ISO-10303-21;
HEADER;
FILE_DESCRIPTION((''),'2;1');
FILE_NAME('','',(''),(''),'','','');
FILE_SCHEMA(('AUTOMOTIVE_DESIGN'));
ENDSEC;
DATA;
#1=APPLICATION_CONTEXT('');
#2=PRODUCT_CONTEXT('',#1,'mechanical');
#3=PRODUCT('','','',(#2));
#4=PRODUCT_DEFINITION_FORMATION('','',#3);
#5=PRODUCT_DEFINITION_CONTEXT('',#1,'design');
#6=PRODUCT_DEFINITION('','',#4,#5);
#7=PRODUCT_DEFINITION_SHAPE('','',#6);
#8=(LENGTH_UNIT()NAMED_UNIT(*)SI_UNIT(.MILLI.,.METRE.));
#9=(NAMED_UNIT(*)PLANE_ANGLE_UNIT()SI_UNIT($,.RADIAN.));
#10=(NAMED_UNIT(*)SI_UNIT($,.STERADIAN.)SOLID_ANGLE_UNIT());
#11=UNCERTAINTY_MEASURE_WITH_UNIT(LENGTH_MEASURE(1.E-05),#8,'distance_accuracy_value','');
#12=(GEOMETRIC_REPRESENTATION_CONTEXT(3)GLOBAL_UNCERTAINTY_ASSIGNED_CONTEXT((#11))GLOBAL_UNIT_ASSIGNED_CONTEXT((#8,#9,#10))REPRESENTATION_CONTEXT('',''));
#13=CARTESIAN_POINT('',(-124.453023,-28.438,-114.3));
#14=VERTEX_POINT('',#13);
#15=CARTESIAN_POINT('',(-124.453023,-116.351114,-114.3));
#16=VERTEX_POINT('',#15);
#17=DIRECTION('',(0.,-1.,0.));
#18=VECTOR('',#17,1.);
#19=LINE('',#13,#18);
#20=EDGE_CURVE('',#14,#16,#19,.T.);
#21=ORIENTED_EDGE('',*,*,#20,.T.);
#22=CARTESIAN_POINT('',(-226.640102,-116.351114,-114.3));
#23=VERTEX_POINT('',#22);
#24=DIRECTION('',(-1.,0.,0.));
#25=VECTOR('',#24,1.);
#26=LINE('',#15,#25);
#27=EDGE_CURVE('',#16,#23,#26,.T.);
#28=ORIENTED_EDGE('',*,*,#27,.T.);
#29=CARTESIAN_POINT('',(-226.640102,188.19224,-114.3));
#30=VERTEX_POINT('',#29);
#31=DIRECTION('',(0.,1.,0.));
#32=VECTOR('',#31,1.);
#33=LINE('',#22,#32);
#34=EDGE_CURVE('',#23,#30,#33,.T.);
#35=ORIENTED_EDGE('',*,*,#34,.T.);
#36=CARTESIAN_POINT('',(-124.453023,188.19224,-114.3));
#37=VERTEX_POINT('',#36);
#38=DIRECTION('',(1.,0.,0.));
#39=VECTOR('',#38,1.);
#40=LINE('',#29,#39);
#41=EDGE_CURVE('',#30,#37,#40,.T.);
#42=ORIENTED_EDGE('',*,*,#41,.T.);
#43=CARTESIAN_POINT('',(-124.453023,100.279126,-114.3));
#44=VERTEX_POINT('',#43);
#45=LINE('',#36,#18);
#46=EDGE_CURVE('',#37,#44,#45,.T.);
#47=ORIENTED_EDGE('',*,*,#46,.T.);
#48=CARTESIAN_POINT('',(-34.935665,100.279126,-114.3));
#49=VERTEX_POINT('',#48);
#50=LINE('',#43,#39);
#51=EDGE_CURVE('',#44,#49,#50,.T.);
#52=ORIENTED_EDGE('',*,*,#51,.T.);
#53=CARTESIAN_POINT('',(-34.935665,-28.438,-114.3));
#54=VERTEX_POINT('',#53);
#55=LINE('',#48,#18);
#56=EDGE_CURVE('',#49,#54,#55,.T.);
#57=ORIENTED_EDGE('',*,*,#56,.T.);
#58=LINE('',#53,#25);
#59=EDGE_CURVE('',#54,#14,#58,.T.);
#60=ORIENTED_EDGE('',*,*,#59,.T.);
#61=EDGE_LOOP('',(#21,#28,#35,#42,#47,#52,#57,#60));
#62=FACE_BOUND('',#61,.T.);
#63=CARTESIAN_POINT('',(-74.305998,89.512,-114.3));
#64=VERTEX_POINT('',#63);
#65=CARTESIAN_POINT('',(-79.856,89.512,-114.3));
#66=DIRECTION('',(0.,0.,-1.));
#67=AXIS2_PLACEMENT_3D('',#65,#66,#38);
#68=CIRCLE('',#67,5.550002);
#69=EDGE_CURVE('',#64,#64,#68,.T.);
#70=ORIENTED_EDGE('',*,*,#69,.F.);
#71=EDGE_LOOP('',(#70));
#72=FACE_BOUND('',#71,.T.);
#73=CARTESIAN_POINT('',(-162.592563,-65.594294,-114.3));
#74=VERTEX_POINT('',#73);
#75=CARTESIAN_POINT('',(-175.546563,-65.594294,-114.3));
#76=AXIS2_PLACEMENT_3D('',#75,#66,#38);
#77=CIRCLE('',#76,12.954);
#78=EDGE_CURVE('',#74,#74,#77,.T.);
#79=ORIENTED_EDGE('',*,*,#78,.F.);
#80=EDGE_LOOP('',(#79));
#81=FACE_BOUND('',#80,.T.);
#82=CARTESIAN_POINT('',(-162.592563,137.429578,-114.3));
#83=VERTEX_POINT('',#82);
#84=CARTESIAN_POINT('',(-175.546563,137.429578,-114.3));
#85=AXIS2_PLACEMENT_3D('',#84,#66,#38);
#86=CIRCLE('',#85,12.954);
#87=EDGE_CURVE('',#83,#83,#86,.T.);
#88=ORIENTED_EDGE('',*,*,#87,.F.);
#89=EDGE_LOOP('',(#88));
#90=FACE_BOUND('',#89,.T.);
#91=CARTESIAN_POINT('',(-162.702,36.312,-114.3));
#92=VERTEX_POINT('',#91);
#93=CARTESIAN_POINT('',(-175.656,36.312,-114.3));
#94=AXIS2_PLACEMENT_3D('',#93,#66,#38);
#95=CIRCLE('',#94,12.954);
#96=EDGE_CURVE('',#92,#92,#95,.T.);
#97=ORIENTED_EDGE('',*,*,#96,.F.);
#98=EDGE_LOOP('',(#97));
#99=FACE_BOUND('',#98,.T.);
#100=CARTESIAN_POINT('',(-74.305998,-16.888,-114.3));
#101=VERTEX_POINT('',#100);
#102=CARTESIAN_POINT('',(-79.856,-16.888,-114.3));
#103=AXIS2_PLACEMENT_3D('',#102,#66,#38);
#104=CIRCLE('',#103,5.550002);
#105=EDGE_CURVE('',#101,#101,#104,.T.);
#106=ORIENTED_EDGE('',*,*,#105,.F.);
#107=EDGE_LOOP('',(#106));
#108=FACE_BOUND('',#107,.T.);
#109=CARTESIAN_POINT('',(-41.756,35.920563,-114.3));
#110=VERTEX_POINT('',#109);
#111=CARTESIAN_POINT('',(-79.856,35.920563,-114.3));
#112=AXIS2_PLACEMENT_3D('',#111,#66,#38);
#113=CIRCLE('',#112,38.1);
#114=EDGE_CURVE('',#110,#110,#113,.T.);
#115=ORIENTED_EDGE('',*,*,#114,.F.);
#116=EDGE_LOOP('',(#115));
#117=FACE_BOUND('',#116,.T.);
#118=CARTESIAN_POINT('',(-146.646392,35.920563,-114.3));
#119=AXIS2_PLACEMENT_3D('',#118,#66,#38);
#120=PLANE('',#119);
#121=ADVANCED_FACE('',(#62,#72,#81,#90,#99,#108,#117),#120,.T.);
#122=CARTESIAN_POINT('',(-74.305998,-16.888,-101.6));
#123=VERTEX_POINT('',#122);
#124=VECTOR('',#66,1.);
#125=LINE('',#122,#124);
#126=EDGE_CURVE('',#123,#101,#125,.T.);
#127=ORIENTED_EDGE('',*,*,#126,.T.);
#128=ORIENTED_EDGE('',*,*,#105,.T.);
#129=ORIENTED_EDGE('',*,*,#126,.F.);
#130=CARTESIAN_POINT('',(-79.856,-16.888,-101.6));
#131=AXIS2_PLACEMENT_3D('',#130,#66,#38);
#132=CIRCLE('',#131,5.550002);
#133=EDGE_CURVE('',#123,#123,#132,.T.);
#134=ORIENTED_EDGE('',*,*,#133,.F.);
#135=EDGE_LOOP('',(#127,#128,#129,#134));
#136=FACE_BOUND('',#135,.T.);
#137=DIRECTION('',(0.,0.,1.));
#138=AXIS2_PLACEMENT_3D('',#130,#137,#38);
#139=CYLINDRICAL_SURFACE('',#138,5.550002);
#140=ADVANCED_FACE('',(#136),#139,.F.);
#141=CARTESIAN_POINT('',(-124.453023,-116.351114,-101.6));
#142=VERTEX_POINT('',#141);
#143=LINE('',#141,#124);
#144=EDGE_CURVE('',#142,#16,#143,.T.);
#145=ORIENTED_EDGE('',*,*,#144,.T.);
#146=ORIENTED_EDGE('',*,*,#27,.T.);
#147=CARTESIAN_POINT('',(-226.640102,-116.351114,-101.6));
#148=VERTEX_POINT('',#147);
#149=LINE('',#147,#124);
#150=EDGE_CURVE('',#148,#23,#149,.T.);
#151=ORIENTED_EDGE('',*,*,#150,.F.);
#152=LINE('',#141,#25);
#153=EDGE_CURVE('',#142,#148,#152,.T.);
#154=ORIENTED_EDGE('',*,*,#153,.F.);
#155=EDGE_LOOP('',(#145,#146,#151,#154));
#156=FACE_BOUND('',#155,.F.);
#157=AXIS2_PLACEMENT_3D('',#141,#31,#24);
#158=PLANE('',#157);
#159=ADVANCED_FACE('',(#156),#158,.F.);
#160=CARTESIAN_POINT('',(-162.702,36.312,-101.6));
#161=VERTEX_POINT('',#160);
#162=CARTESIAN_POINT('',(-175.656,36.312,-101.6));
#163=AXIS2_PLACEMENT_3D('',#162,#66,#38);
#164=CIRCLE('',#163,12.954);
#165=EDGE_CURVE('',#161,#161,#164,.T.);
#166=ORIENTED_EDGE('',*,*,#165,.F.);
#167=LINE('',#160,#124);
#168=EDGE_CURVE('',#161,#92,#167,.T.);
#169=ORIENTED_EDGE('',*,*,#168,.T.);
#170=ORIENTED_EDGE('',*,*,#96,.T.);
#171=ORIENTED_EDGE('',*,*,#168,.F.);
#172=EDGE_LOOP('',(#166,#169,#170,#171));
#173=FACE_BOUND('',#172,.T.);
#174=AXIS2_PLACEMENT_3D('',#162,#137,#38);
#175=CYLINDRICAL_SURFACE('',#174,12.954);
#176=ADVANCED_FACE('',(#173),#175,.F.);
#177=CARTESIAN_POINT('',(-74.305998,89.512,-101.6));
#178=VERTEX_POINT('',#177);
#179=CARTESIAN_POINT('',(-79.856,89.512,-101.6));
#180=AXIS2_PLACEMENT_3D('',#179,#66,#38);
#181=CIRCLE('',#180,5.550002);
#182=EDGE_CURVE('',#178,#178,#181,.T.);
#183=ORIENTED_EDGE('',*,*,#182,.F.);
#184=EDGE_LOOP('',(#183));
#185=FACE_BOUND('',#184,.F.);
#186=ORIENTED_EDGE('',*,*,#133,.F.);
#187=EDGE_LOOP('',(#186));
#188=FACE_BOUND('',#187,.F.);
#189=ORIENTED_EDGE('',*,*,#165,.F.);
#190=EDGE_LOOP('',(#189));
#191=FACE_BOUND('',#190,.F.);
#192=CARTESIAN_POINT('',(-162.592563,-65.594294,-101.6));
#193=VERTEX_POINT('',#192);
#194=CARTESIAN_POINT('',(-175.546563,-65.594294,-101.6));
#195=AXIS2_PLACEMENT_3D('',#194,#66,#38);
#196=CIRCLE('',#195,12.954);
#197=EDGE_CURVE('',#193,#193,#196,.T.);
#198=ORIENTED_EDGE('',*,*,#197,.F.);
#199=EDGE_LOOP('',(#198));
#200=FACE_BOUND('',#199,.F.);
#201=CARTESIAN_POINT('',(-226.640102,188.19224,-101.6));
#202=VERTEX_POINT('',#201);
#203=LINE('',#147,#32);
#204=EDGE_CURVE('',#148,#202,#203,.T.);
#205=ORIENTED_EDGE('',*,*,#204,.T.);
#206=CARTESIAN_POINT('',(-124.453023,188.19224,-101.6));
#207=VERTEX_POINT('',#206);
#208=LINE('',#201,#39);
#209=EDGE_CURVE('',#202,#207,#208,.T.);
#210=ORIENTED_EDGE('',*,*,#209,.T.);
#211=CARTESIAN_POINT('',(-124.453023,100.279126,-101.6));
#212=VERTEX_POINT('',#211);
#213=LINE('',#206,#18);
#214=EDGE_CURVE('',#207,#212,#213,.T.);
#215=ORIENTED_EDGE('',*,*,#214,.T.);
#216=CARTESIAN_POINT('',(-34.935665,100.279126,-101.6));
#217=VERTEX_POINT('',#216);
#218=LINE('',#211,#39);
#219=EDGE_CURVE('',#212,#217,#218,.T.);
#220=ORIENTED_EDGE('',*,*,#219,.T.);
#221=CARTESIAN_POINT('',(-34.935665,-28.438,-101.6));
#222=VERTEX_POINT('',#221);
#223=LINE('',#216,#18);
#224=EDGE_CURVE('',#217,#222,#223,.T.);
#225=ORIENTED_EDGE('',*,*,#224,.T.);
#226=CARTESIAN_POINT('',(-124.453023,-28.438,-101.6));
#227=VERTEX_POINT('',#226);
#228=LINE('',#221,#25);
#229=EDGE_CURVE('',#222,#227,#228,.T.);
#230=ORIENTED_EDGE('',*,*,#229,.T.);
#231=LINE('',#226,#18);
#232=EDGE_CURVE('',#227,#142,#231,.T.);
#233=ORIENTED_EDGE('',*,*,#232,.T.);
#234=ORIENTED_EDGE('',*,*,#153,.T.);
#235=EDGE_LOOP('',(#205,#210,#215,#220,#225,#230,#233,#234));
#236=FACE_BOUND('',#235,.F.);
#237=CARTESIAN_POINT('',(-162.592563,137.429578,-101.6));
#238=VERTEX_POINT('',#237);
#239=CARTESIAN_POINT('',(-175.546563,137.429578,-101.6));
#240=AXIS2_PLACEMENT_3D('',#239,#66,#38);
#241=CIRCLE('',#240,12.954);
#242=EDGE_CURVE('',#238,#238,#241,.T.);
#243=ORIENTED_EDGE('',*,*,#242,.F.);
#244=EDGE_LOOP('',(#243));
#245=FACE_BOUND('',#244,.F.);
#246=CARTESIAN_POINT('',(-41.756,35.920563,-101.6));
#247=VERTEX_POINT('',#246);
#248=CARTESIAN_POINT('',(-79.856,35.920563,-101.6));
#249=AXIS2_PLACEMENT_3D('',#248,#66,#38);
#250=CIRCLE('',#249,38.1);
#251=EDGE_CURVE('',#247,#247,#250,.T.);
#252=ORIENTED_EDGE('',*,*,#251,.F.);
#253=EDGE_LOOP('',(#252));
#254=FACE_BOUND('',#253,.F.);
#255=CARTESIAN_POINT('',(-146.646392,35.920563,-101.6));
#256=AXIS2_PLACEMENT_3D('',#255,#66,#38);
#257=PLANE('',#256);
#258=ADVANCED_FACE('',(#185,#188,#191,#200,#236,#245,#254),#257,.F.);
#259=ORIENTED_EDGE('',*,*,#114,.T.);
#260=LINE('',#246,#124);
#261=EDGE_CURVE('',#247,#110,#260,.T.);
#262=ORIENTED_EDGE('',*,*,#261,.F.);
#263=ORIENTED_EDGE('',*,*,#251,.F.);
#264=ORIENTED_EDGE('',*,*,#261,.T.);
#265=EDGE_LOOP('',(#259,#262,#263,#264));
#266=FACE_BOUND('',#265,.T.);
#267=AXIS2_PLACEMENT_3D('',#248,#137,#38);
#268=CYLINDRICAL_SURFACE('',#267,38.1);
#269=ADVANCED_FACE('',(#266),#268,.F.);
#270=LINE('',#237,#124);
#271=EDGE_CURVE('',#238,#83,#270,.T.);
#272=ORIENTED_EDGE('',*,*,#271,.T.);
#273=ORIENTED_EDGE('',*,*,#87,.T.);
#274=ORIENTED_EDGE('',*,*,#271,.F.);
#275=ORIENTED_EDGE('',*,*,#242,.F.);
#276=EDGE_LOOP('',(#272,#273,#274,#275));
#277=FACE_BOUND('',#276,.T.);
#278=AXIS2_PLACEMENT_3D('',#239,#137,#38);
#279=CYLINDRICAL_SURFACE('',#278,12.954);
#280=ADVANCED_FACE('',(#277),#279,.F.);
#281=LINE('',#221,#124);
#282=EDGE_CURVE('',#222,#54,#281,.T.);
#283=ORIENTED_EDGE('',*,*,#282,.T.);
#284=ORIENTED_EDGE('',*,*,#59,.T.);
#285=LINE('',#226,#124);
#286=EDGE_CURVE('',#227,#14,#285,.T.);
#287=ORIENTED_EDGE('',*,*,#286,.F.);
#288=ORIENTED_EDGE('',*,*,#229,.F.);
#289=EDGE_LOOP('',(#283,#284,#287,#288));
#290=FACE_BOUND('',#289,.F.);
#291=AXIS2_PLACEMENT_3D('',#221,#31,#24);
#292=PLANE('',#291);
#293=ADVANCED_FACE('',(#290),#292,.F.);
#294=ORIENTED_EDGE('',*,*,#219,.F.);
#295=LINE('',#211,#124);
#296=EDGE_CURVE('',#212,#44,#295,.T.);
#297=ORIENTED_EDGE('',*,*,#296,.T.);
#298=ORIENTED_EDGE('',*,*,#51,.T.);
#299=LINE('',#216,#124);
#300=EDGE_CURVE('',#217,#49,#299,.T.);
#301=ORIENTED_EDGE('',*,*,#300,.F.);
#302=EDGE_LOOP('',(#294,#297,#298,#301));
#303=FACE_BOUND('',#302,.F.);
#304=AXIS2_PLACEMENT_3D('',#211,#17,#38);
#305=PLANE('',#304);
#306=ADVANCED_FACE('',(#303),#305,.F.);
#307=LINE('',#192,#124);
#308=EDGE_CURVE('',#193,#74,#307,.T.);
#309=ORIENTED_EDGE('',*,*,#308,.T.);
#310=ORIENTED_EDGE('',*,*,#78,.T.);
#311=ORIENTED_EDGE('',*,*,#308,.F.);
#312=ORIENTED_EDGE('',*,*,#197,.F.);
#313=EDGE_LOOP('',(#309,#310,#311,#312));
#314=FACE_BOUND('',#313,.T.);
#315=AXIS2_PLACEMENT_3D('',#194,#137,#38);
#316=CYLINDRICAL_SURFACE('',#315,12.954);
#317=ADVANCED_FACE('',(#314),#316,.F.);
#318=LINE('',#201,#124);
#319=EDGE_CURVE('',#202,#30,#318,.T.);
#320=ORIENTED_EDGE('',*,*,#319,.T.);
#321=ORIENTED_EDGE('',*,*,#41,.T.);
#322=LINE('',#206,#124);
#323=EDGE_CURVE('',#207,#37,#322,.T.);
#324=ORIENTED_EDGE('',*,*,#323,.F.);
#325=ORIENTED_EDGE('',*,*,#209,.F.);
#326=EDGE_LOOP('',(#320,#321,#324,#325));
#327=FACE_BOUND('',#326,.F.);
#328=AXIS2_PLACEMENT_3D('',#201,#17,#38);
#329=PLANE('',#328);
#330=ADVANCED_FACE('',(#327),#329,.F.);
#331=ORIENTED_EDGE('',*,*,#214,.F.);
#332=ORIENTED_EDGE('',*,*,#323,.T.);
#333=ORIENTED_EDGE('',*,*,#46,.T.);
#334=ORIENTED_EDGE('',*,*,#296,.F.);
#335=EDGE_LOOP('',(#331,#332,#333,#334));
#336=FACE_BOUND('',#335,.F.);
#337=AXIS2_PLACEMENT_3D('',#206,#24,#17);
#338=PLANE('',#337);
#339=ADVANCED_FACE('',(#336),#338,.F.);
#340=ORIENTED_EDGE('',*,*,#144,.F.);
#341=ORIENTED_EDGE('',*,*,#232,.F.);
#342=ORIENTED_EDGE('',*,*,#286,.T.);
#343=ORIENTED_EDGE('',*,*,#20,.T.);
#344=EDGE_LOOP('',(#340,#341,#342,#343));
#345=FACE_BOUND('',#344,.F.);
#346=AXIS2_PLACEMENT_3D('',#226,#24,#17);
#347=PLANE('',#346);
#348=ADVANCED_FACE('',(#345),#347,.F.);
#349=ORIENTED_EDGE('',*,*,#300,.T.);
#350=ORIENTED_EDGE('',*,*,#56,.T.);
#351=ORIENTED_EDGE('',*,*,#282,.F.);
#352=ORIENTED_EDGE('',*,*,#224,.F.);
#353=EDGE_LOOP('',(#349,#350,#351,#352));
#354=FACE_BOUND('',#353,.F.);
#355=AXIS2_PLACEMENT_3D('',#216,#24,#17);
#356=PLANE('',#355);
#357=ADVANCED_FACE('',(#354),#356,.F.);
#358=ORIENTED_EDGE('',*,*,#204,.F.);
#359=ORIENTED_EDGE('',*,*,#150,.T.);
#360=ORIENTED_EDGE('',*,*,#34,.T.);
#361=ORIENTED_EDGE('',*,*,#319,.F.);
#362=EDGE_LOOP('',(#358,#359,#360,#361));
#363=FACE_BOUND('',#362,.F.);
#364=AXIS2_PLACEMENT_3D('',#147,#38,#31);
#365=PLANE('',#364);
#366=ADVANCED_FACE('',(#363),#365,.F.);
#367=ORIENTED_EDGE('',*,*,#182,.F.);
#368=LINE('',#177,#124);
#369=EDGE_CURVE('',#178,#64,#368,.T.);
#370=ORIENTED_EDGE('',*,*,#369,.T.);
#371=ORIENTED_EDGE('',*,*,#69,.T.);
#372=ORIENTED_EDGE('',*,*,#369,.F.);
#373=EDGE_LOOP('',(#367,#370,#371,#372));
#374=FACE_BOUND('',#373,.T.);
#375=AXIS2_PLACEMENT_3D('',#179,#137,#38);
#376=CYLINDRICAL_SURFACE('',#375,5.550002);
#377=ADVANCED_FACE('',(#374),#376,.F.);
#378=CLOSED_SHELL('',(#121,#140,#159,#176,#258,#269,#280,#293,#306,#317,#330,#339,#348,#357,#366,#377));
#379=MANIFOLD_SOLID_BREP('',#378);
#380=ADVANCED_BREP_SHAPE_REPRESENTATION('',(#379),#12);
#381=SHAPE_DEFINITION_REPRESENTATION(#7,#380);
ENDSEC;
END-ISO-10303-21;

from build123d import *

# Parameters (mm, degrees)
SKETCH006_R   = 38.1
SKETCH006_R_2 = 5.550002
SKETCH006_R_3 = 12.954
PAD_DEPTH     = 12.7


with BuildPart() as part:
    # Sketch006 → Pad (new body)
    with BuildSketch(Plane(origin=(0, 0, -101.6), x_dir=(1, 0, 0), z_dir=(0, 0, -1))):
        Polygon((-226.640102, 116.351114), (-226.640102, -188.19224), (-124.453023, -188.19224), (-124.453023, -100.279126), (-34.935665, -100.279126), (-34.935665, 28.438), (-124.453023, 28.438), (-124.453023, 116.351114), align=None)
        with Locations((-79.856, -35.920563)):
            Circle(SKETCH006_R, mode=Mode.SUBTRACT)
        with Locations((-79.856, 16.888)):
            Circle(SKETCH006_R_2, mode=Mode.SUBTRACT)
        with Locations((-79.856, -89.512)):
            Circle(SKETCH006_R_2, mode=Mode.SUBTRACT)
        with Locations((-175.656, -36.312)):
            Circle(SKETCH006_R_3, mode=Mode.SUBTRACT)
        with Locations((-175.546563, 65.594294)):
            Circle(SKETCH006_R_3, mode=Mode.SUBTRACT)
        with Locations((-175.546563, -137.429578)):
            Circle(SKETCH006_R_3, mode=Mode.SUBTRACT)
    extrude(amount=PAD_DEPTH)


solid = part.part
